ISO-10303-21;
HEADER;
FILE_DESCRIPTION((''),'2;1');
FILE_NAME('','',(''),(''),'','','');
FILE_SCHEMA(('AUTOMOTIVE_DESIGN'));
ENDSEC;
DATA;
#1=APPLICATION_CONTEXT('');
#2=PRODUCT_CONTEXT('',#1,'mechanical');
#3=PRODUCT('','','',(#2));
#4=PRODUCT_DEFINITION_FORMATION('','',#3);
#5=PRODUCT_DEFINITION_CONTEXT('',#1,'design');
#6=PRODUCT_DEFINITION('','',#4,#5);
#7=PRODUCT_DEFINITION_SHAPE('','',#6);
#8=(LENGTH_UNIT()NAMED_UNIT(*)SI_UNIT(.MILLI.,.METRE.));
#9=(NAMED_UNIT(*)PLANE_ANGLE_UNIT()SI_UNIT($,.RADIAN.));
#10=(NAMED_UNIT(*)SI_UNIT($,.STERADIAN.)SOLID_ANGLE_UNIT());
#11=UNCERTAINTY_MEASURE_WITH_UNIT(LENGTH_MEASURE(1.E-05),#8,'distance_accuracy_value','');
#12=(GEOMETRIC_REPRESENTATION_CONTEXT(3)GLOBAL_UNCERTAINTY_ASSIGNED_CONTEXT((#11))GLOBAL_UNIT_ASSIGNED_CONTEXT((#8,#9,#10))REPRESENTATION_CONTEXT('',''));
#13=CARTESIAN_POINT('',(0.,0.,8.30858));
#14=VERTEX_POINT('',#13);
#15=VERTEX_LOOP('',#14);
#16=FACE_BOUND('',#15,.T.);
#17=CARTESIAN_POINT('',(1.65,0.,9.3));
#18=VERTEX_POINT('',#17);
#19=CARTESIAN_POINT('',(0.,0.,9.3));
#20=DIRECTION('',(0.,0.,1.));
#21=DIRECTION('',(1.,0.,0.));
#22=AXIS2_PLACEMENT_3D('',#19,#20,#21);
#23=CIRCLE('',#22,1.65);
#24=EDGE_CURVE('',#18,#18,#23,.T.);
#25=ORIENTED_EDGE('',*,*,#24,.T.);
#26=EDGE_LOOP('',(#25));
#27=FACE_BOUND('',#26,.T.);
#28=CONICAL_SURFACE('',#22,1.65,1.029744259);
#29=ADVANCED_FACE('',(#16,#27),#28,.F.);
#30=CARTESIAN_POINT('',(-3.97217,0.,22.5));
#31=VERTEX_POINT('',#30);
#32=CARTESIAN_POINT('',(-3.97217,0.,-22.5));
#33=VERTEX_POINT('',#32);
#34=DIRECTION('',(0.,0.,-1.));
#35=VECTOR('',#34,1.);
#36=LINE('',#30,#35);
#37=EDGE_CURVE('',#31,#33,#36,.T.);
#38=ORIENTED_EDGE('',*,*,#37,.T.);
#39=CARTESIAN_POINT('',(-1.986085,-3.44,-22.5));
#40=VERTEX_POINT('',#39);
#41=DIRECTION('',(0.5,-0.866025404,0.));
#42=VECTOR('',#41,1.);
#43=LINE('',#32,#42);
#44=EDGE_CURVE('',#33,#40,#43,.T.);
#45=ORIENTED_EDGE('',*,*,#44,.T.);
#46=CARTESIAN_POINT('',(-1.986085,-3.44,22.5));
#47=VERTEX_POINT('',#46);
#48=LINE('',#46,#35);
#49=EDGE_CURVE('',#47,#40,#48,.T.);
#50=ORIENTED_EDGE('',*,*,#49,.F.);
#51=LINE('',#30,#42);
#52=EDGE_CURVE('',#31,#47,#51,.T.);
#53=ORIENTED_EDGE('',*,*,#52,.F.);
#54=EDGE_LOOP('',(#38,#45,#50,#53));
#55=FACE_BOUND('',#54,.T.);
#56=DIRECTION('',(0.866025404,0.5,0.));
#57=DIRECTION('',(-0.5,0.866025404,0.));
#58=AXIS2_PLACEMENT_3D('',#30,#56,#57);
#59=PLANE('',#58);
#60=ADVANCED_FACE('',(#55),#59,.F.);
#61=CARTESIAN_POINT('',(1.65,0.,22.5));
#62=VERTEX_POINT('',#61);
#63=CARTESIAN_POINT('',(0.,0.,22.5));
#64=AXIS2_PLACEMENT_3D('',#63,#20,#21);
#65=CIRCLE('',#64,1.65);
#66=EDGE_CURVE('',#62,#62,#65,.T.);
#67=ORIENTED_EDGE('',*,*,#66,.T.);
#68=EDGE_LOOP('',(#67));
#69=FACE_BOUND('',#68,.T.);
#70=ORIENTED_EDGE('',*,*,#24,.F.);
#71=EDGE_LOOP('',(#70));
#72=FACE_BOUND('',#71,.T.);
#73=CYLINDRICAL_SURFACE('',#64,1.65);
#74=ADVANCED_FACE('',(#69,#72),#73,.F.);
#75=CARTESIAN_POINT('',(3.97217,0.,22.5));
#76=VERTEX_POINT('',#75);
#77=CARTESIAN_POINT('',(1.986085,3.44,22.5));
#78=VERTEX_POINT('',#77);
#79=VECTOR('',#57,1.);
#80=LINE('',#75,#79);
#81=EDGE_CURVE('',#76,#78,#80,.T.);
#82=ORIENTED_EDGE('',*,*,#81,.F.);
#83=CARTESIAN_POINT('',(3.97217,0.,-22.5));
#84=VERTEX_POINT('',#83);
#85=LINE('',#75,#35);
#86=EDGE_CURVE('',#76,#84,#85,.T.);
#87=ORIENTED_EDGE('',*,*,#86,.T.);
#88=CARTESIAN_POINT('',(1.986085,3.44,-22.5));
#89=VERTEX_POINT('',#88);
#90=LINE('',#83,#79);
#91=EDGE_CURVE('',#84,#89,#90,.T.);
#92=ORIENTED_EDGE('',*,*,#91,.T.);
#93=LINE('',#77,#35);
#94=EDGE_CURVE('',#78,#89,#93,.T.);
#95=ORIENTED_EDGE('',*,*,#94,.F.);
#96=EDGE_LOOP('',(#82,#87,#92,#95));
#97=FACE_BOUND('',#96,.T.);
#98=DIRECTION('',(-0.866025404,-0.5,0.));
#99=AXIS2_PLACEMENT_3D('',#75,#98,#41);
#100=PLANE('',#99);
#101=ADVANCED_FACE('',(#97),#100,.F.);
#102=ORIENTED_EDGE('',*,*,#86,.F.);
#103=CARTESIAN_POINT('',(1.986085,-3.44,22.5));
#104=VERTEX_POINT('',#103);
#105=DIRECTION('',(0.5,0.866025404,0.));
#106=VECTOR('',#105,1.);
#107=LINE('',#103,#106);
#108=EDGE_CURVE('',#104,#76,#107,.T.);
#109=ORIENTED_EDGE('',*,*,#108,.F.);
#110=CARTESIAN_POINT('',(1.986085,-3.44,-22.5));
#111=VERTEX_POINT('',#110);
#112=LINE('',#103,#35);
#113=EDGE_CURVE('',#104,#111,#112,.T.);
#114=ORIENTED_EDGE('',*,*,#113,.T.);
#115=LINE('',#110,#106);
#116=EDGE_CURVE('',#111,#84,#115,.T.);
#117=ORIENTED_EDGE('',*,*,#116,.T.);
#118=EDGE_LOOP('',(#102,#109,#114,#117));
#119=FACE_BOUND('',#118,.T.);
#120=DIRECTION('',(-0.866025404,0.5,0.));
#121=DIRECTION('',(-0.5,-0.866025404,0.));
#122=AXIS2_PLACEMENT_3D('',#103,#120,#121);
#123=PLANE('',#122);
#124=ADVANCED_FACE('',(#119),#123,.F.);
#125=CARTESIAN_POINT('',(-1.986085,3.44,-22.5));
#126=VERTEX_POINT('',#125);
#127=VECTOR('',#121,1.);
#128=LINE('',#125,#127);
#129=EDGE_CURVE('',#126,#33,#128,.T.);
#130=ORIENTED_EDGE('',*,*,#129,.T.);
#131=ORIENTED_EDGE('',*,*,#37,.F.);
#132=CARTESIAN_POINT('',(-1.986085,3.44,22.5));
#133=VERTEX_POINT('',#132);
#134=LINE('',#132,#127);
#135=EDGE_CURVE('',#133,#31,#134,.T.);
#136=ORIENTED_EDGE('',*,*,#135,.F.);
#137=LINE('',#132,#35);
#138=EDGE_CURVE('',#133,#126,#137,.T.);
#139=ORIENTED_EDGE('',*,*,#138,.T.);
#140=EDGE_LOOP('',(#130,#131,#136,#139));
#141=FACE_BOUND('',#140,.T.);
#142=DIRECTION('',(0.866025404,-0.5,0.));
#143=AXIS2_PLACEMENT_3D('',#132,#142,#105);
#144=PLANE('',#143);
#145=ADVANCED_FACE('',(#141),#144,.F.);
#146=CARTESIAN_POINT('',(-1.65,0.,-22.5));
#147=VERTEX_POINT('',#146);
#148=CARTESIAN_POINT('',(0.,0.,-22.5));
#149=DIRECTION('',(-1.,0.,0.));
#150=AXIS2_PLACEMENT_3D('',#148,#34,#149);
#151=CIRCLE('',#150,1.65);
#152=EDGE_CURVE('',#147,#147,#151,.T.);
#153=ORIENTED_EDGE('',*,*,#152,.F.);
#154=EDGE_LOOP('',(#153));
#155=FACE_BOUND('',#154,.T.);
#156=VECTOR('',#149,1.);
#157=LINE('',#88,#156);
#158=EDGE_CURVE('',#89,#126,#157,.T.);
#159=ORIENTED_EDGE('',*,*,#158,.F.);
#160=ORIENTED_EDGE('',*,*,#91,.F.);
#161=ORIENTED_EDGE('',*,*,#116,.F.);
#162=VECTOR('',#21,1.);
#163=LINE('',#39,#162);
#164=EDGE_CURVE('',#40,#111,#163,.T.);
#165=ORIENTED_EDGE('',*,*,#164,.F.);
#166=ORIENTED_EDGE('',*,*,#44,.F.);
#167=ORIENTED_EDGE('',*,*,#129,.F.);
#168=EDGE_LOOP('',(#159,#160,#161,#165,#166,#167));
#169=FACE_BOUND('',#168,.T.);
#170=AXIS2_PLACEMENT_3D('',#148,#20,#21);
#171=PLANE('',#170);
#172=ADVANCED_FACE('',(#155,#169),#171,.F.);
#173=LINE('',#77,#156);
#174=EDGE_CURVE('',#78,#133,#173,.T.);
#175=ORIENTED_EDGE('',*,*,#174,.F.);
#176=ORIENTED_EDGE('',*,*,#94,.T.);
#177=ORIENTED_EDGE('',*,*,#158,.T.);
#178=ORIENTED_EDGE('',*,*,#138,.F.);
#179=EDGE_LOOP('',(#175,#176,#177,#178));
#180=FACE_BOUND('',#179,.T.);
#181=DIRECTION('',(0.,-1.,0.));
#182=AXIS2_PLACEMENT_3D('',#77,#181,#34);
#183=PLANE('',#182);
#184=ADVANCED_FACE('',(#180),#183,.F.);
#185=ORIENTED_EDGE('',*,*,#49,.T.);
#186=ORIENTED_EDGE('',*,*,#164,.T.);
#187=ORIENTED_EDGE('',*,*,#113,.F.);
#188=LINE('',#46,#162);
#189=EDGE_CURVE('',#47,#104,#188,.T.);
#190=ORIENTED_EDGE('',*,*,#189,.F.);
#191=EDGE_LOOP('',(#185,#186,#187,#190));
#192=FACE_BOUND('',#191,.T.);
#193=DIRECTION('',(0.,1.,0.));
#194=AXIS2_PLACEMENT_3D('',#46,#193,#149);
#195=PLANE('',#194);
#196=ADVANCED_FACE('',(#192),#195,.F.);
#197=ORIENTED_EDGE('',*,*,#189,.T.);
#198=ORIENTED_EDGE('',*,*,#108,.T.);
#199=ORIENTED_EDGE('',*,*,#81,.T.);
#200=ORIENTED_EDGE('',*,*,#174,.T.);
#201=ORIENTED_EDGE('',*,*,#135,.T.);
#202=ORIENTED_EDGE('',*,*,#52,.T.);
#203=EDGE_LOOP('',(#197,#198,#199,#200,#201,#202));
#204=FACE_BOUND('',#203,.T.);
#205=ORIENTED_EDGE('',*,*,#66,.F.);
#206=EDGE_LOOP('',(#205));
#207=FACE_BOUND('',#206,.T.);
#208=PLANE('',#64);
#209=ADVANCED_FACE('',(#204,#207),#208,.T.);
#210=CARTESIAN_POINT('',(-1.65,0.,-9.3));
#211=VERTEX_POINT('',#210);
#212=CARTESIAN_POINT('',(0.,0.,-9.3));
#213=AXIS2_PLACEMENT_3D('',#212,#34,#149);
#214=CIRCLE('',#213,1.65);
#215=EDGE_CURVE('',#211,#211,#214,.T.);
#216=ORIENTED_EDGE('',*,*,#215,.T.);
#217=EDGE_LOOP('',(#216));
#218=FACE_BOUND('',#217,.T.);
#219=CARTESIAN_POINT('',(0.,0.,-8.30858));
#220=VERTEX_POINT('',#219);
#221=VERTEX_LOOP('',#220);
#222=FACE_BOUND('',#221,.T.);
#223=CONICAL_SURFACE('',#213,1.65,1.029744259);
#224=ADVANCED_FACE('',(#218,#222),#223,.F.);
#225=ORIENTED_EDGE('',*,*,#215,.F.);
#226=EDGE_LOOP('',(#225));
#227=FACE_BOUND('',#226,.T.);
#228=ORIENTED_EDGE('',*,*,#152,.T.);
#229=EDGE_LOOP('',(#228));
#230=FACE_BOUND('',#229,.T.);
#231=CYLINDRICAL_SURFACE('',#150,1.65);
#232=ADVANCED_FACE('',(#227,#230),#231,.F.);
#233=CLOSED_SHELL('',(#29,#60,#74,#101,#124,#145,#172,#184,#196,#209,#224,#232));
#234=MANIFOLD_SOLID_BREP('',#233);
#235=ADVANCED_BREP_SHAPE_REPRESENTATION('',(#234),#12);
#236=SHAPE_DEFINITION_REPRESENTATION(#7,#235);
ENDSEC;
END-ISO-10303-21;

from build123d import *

# Parameters (mm, degrees)
EXTRUDE_340_DEPTH = 22.5


with BuildPart() as part:
    # 草图1 → Extrude 340 (new body, symmetric)
    with BuildSketch(Plane.XY):
        Polygon((1.986084926, 3.44), (-1.986084926, 3.44), (-3.972169852, 0), (-1.986084926, -3.44), (1.986084926, -3.44), (3.972169852, 0), align=None)
    extrude(amount=EXTRUDE_340_DEPTH, both=True)

    # 草图3 → 螺纹孔1 (revolve, cut)
    with BuildSketch(Plane(origin=(0, 0, 22.5), x_dir=(0, -1, 0), z_dir=(1, 0, 0))):
        Polygon((0, 0), (0, 14.191420021), (1.65, 13.2), (1.65, 0), align=None)
    hole_wizard_1 = revolve(axis=Axis((0, 0, 28.85), (0, 0, -1)), mode=Mode.SUBTRACT)

    # 镜向1: 螺纹孔1 across plane
    add(hole_wizard_1.mirror(Plane.XY), mode=Mode.SUBTRACT)


solid = part.part
